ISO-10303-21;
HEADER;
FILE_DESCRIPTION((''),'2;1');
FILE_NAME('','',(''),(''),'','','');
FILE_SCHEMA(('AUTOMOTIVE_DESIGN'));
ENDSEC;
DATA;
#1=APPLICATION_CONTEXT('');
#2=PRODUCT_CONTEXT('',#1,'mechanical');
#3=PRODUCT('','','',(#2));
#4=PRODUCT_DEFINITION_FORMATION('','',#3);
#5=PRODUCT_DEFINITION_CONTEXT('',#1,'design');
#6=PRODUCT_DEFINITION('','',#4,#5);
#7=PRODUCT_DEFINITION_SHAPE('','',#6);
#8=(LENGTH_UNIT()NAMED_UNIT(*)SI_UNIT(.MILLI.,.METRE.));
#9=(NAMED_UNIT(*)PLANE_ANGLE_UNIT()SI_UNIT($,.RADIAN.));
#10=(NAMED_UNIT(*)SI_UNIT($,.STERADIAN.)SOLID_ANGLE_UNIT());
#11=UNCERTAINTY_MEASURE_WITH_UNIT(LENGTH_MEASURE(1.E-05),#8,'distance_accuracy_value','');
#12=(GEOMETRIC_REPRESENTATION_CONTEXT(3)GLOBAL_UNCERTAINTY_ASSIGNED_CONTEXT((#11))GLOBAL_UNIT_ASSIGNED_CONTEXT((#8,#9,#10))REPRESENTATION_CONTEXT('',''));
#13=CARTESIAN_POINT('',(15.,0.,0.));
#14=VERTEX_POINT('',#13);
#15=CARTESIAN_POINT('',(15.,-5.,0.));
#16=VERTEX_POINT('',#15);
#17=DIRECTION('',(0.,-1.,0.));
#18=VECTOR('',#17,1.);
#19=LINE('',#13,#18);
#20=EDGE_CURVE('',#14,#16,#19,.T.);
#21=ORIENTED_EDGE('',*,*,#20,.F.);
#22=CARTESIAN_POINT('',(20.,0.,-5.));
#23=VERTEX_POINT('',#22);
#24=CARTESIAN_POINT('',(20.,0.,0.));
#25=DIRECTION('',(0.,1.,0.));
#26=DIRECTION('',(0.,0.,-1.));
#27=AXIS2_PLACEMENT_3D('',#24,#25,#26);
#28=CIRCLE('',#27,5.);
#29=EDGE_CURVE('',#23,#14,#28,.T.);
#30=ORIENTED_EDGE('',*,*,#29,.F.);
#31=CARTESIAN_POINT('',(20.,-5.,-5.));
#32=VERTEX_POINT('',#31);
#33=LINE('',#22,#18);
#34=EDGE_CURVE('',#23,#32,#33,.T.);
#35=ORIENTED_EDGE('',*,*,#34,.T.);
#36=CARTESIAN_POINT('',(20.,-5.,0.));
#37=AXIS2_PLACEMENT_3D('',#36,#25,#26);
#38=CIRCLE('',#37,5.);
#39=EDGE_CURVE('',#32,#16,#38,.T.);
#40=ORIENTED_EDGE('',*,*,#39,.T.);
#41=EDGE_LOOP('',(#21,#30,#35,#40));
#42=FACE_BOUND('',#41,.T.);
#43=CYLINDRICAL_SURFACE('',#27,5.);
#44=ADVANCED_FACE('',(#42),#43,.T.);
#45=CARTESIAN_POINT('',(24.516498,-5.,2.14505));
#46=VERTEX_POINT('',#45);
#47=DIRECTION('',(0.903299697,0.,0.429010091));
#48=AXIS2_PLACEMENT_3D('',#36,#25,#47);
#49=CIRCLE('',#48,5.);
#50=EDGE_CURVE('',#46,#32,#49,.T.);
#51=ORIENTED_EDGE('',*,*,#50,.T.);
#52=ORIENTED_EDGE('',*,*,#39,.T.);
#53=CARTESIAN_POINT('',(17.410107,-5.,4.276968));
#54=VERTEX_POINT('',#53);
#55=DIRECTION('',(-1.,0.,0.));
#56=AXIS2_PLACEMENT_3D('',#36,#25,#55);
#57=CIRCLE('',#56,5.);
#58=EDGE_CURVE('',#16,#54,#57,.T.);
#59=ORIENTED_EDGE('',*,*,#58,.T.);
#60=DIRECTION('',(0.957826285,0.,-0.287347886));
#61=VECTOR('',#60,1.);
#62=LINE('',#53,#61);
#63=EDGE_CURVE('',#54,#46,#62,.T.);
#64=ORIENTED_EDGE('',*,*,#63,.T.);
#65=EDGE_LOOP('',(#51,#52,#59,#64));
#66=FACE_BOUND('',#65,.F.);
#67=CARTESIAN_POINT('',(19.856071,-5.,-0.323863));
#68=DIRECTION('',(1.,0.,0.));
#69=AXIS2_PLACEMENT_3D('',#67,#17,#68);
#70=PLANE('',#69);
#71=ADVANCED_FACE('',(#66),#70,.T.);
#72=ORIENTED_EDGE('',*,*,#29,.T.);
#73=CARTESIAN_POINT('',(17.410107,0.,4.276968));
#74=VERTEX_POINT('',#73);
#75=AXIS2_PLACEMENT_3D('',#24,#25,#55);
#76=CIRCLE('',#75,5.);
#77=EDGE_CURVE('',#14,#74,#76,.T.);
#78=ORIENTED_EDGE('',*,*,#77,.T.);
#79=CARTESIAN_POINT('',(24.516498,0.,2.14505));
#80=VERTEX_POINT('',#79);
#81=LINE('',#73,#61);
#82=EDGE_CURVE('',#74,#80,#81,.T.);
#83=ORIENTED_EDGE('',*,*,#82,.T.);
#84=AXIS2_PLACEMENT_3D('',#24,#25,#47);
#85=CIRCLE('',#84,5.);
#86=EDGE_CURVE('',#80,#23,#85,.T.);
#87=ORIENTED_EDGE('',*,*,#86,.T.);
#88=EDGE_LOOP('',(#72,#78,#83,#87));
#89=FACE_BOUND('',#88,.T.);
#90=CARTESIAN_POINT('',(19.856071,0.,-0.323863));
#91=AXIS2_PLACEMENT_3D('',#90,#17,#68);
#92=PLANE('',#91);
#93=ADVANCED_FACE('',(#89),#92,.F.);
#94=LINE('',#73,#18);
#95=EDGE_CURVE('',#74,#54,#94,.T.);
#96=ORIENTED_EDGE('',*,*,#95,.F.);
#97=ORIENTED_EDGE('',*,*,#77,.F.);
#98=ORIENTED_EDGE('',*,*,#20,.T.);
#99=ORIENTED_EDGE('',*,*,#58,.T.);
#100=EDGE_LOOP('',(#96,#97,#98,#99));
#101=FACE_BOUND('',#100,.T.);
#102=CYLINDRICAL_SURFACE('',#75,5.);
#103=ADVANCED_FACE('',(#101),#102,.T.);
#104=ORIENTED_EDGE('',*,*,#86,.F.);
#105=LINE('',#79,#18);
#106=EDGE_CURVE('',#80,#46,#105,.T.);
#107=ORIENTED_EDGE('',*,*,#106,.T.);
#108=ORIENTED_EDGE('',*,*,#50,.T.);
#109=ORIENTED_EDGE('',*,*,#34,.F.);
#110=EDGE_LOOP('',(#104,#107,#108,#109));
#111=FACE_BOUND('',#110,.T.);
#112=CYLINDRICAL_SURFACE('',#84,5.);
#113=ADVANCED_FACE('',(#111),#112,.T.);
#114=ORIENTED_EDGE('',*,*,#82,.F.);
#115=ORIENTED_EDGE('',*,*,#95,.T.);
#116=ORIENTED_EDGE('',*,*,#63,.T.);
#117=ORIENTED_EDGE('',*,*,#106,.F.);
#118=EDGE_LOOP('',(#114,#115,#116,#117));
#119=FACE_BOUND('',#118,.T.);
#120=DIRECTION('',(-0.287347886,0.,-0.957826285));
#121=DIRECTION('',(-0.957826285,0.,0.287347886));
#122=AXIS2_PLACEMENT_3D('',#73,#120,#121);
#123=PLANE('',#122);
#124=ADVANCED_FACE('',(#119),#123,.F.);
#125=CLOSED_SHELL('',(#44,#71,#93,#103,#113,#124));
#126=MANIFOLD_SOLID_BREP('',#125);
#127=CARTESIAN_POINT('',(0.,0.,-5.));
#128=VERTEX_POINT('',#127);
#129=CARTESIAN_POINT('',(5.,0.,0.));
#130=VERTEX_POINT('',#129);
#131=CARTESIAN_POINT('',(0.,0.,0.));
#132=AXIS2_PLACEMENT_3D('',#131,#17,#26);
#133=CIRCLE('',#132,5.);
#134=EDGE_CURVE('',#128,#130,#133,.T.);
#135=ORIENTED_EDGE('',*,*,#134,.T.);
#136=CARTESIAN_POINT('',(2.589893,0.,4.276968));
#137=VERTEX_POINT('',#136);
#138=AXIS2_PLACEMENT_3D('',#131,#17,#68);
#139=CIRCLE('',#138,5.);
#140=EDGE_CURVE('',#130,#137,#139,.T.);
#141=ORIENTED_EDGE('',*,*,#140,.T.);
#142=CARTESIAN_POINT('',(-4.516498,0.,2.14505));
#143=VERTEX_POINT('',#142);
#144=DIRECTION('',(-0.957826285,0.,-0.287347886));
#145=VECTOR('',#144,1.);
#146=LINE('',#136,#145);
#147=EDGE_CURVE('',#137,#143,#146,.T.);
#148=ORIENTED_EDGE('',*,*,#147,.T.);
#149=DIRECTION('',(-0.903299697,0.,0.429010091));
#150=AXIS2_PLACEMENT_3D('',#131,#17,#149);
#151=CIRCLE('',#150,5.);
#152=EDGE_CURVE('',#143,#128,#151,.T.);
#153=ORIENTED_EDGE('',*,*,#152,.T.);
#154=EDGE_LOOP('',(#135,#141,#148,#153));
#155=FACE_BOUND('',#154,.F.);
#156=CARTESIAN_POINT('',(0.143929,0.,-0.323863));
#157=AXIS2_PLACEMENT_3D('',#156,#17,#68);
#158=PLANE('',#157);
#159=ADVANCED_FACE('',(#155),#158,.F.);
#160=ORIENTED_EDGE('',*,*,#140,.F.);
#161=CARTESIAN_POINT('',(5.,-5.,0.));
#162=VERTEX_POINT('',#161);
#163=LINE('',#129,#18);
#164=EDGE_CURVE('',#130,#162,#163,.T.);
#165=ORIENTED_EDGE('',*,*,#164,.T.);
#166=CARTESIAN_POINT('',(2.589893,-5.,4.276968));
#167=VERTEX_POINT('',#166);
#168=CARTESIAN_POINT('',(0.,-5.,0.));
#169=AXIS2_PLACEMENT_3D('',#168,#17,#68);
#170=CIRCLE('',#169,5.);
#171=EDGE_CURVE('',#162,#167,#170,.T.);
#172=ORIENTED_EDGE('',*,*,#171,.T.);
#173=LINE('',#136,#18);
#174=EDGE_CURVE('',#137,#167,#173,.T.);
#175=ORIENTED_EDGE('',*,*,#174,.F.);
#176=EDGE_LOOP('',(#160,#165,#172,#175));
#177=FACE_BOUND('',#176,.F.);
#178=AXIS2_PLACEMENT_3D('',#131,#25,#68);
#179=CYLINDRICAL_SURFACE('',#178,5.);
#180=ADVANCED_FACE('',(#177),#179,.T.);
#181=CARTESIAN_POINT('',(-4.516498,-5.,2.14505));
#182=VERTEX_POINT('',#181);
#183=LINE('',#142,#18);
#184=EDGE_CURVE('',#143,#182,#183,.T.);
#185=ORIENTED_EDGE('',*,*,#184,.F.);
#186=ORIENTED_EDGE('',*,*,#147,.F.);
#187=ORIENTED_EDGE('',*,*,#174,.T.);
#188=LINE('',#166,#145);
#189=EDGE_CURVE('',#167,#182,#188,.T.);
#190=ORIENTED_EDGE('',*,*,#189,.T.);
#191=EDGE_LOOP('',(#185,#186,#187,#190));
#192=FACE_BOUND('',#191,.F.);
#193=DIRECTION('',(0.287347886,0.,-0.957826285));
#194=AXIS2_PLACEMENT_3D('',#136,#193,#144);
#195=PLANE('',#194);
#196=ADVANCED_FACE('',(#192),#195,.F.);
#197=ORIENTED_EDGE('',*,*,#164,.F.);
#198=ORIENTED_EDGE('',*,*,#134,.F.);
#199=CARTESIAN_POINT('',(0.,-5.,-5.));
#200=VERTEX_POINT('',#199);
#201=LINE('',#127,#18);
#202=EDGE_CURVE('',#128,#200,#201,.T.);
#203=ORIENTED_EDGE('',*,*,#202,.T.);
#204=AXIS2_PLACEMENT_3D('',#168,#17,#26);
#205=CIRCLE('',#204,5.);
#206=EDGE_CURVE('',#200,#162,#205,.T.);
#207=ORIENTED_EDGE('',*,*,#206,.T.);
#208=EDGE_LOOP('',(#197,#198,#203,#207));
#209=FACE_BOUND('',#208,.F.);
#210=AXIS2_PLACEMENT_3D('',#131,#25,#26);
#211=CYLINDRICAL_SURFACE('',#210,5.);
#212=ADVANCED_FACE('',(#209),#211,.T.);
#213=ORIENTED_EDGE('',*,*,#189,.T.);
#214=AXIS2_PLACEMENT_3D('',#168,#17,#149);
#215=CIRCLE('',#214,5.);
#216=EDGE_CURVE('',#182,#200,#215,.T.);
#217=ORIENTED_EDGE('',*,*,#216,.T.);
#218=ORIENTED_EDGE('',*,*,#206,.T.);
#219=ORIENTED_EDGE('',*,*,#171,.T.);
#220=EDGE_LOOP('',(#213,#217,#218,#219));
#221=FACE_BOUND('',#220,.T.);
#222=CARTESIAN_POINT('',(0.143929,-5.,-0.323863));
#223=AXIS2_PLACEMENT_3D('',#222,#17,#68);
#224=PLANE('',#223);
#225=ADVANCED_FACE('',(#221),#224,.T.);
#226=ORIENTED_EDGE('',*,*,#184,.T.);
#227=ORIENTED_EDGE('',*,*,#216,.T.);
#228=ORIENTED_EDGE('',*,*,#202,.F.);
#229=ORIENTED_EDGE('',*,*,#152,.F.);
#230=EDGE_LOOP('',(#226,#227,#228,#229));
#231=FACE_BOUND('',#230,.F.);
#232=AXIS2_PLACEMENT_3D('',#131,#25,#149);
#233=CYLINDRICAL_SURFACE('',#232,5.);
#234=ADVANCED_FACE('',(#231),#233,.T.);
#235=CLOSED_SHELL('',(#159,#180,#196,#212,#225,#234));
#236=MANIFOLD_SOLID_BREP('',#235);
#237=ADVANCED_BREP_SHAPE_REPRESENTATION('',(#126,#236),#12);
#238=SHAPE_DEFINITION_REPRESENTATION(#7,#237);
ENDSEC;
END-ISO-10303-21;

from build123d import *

# Parameters (mm, degrees)
F2_DEPTH = 5


with BuildPart() as f2:
    # F1 (on Front) → F2 (new body)
    with BuildSketch(Plane.XZ):
        with BuildLine():
            ThreePointArc((0, -5), (3.5355339059, -3.5355339059), (5, 0))
            ThreePointArc((5, 0), (4.355999592, 2.454642042), (2.5898929782, 4.2769678935))
            Line((2.5898929782, 4.2769678935), (-4.5164984828, 2.1450504552))
            ThreePointArc((-4.5164984828, 2.1450504552), (-4.2264200144, -2.6715863943), (0, -5))
        make_face()
    extrude(amount=F2_DEPTH)


with BuildPart() as f4_1:
    # F4: instance of F2
    add(f2.part.mirror(Plane.YZ.offset(10)))


solid = Compound([f2.part, f4_1.part])
